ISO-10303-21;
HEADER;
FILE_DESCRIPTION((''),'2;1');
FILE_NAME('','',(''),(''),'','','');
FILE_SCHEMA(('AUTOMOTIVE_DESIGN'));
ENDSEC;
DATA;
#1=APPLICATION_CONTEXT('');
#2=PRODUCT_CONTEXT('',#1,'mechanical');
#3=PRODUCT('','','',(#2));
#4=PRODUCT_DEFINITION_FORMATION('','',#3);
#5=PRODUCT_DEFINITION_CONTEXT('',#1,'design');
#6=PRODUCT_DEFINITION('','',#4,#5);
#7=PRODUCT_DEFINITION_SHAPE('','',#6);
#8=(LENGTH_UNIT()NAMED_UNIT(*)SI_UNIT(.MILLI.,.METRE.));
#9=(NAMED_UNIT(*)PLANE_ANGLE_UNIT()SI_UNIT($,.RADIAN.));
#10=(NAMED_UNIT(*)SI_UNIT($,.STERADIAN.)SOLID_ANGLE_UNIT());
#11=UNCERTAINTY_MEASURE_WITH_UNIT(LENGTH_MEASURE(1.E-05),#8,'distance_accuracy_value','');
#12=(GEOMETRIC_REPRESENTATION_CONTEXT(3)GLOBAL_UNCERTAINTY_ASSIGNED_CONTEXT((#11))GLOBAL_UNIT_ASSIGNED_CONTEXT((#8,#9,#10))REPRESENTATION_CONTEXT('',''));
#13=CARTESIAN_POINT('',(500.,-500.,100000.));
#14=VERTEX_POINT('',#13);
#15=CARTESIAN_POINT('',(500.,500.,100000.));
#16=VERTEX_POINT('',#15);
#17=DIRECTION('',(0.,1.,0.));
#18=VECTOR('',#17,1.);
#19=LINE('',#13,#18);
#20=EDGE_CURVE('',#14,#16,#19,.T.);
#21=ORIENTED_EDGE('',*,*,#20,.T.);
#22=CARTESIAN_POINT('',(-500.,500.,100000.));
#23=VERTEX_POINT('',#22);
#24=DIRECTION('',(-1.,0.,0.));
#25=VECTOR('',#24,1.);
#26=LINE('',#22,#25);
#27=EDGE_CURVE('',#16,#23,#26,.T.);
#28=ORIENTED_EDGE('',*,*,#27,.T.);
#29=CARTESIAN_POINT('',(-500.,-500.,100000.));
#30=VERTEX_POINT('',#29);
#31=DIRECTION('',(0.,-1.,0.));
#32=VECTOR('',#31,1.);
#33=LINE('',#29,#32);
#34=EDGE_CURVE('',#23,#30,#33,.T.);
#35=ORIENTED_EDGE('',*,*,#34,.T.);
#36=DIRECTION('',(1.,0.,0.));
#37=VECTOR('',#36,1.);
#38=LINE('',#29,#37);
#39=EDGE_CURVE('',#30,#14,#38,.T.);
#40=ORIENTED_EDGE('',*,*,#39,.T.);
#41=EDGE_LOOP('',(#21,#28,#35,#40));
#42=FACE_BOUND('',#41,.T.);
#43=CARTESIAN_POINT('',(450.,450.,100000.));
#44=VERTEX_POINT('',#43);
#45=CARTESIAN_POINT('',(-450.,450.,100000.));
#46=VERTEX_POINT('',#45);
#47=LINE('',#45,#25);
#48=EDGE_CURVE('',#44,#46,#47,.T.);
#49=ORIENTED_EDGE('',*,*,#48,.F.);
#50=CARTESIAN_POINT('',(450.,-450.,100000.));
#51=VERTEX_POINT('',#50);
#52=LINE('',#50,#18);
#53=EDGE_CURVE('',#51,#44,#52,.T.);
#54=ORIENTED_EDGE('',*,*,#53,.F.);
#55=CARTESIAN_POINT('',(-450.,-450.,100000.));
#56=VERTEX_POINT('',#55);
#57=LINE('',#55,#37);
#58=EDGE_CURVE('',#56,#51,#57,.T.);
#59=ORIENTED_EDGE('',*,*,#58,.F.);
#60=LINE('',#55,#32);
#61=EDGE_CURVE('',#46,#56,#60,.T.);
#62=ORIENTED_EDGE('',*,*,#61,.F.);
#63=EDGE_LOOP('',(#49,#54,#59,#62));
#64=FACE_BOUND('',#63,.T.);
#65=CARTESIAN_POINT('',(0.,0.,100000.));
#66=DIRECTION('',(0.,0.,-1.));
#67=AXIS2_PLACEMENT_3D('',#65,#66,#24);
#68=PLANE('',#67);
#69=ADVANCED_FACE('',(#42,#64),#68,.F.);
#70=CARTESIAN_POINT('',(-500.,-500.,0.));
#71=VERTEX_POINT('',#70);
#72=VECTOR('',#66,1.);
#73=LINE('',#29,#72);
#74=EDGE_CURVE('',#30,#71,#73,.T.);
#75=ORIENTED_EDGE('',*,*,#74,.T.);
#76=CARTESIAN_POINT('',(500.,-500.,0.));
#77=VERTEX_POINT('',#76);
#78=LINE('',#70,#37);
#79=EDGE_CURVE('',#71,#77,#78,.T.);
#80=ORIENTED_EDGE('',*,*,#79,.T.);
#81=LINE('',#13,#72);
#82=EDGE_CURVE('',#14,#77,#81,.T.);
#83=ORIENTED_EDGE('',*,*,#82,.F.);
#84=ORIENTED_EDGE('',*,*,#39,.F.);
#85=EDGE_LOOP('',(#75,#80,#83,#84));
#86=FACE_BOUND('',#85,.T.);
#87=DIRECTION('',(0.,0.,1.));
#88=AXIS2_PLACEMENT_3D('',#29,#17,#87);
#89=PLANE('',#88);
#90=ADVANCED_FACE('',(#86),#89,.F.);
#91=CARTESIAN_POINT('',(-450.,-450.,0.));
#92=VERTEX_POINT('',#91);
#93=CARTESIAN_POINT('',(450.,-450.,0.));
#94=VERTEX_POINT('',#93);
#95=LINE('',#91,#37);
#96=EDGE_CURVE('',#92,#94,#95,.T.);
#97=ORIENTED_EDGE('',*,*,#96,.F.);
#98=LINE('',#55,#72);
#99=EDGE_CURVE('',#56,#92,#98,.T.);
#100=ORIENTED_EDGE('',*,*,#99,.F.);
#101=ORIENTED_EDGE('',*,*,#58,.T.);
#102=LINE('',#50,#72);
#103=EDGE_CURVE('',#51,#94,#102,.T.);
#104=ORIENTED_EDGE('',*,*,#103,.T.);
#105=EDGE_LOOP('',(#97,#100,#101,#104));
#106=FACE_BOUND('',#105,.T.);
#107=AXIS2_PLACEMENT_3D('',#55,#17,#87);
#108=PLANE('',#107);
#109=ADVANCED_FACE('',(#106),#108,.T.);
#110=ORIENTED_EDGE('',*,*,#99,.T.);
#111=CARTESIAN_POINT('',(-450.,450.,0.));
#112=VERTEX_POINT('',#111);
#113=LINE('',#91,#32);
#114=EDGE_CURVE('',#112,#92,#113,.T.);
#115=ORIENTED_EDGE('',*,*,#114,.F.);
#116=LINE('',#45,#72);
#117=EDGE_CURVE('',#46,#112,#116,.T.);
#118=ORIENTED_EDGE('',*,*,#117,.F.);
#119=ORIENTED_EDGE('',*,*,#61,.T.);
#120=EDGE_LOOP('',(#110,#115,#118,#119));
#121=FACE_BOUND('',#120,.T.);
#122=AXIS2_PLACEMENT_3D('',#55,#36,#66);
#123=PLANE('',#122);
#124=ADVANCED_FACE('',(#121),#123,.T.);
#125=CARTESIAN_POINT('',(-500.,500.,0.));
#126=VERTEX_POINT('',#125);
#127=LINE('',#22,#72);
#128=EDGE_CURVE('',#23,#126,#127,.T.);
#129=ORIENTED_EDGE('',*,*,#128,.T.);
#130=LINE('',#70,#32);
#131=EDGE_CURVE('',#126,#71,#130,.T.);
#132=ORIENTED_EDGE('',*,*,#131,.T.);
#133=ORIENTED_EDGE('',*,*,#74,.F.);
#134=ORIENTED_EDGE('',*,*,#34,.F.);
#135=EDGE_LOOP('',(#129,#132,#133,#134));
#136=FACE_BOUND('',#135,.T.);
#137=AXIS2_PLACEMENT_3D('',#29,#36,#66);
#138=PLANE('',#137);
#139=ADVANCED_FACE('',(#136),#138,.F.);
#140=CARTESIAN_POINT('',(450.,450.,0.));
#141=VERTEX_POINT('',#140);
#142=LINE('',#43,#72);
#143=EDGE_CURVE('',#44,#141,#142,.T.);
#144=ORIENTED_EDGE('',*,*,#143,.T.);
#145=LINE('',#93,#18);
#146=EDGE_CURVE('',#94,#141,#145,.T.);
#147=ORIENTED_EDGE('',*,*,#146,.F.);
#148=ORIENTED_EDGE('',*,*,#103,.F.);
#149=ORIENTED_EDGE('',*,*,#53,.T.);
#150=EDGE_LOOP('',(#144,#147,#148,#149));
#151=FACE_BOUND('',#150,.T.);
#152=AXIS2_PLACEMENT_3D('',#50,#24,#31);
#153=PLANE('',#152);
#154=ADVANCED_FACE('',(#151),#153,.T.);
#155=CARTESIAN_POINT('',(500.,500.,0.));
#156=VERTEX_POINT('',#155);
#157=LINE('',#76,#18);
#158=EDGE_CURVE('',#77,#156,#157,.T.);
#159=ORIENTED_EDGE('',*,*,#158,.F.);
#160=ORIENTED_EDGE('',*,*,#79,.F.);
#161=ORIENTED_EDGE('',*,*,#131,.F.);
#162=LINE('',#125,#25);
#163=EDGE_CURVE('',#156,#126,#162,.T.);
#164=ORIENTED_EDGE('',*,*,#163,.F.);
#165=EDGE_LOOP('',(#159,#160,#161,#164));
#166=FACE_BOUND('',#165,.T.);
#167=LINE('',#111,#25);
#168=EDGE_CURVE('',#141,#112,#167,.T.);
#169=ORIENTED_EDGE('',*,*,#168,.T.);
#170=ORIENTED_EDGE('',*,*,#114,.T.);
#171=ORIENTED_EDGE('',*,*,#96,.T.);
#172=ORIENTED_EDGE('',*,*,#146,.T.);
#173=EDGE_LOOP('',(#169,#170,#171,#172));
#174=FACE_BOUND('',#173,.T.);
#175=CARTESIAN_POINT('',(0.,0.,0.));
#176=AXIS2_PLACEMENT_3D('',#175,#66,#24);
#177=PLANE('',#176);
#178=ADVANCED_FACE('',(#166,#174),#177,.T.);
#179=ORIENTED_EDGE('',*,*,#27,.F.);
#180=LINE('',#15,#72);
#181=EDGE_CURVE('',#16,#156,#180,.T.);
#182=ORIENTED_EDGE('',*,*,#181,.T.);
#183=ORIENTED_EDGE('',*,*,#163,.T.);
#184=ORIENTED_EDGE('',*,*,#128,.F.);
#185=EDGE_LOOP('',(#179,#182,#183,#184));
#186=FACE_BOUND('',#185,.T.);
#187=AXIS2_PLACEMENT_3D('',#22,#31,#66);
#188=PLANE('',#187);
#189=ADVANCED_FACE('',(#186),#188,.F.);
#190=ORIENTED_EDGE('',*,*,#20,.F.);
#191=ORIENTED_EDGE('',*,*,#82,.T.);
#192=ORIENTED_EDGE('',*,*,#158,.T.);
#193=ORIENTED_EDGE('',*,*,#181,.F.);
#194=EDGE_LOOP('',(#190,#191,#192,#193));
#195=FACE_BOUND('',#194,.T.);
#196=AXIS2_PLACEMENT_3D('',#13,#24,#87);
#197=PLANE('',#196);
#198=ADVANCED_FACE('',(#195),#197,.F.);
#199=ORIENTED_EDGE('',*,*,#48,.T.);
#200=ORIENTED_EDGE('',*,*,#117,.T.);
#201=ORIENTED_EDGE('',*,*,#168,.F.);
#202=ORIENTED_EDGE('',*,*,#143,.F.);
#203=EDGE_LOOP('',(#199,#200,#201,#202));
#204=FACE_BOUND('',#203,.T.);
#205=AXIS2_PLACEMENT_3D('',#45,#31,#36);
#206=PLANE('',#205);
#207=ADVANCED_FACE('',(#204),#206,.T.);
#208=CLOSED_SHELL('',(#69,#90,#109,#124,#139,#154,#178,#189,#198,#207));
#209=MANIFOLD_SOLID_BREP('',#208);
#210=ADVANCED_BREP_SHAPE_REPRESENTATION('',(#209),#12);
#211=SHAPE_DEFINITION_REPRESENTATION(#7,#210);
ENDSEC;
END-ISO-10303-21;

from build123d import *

# Parameters (mm, degrees)
ESQUISSE1_W        = 1000
ESQUISSE1_H        = 1000
ESQUISSE1_W_2      = 900
ESQUISSE1_H_2      = 900
BOSS_EXTRU_1_DEPTH = 100000


with BuildPart() as part:
    # Esquisse1 → Boss.-Extru.1 (new body)
    with BuildSketch(Plane.XY):
        Rectangle(ESQUISSE1_W, ESQUISSE1_H)
        Rectangle(ESQUISSE1_W_2, ESQUISSE1_H_2, mode=Mode.SUBTRACT)
    extrude(amount=BOSS_EXTRU_1_DEPTH)


solid = part.part
